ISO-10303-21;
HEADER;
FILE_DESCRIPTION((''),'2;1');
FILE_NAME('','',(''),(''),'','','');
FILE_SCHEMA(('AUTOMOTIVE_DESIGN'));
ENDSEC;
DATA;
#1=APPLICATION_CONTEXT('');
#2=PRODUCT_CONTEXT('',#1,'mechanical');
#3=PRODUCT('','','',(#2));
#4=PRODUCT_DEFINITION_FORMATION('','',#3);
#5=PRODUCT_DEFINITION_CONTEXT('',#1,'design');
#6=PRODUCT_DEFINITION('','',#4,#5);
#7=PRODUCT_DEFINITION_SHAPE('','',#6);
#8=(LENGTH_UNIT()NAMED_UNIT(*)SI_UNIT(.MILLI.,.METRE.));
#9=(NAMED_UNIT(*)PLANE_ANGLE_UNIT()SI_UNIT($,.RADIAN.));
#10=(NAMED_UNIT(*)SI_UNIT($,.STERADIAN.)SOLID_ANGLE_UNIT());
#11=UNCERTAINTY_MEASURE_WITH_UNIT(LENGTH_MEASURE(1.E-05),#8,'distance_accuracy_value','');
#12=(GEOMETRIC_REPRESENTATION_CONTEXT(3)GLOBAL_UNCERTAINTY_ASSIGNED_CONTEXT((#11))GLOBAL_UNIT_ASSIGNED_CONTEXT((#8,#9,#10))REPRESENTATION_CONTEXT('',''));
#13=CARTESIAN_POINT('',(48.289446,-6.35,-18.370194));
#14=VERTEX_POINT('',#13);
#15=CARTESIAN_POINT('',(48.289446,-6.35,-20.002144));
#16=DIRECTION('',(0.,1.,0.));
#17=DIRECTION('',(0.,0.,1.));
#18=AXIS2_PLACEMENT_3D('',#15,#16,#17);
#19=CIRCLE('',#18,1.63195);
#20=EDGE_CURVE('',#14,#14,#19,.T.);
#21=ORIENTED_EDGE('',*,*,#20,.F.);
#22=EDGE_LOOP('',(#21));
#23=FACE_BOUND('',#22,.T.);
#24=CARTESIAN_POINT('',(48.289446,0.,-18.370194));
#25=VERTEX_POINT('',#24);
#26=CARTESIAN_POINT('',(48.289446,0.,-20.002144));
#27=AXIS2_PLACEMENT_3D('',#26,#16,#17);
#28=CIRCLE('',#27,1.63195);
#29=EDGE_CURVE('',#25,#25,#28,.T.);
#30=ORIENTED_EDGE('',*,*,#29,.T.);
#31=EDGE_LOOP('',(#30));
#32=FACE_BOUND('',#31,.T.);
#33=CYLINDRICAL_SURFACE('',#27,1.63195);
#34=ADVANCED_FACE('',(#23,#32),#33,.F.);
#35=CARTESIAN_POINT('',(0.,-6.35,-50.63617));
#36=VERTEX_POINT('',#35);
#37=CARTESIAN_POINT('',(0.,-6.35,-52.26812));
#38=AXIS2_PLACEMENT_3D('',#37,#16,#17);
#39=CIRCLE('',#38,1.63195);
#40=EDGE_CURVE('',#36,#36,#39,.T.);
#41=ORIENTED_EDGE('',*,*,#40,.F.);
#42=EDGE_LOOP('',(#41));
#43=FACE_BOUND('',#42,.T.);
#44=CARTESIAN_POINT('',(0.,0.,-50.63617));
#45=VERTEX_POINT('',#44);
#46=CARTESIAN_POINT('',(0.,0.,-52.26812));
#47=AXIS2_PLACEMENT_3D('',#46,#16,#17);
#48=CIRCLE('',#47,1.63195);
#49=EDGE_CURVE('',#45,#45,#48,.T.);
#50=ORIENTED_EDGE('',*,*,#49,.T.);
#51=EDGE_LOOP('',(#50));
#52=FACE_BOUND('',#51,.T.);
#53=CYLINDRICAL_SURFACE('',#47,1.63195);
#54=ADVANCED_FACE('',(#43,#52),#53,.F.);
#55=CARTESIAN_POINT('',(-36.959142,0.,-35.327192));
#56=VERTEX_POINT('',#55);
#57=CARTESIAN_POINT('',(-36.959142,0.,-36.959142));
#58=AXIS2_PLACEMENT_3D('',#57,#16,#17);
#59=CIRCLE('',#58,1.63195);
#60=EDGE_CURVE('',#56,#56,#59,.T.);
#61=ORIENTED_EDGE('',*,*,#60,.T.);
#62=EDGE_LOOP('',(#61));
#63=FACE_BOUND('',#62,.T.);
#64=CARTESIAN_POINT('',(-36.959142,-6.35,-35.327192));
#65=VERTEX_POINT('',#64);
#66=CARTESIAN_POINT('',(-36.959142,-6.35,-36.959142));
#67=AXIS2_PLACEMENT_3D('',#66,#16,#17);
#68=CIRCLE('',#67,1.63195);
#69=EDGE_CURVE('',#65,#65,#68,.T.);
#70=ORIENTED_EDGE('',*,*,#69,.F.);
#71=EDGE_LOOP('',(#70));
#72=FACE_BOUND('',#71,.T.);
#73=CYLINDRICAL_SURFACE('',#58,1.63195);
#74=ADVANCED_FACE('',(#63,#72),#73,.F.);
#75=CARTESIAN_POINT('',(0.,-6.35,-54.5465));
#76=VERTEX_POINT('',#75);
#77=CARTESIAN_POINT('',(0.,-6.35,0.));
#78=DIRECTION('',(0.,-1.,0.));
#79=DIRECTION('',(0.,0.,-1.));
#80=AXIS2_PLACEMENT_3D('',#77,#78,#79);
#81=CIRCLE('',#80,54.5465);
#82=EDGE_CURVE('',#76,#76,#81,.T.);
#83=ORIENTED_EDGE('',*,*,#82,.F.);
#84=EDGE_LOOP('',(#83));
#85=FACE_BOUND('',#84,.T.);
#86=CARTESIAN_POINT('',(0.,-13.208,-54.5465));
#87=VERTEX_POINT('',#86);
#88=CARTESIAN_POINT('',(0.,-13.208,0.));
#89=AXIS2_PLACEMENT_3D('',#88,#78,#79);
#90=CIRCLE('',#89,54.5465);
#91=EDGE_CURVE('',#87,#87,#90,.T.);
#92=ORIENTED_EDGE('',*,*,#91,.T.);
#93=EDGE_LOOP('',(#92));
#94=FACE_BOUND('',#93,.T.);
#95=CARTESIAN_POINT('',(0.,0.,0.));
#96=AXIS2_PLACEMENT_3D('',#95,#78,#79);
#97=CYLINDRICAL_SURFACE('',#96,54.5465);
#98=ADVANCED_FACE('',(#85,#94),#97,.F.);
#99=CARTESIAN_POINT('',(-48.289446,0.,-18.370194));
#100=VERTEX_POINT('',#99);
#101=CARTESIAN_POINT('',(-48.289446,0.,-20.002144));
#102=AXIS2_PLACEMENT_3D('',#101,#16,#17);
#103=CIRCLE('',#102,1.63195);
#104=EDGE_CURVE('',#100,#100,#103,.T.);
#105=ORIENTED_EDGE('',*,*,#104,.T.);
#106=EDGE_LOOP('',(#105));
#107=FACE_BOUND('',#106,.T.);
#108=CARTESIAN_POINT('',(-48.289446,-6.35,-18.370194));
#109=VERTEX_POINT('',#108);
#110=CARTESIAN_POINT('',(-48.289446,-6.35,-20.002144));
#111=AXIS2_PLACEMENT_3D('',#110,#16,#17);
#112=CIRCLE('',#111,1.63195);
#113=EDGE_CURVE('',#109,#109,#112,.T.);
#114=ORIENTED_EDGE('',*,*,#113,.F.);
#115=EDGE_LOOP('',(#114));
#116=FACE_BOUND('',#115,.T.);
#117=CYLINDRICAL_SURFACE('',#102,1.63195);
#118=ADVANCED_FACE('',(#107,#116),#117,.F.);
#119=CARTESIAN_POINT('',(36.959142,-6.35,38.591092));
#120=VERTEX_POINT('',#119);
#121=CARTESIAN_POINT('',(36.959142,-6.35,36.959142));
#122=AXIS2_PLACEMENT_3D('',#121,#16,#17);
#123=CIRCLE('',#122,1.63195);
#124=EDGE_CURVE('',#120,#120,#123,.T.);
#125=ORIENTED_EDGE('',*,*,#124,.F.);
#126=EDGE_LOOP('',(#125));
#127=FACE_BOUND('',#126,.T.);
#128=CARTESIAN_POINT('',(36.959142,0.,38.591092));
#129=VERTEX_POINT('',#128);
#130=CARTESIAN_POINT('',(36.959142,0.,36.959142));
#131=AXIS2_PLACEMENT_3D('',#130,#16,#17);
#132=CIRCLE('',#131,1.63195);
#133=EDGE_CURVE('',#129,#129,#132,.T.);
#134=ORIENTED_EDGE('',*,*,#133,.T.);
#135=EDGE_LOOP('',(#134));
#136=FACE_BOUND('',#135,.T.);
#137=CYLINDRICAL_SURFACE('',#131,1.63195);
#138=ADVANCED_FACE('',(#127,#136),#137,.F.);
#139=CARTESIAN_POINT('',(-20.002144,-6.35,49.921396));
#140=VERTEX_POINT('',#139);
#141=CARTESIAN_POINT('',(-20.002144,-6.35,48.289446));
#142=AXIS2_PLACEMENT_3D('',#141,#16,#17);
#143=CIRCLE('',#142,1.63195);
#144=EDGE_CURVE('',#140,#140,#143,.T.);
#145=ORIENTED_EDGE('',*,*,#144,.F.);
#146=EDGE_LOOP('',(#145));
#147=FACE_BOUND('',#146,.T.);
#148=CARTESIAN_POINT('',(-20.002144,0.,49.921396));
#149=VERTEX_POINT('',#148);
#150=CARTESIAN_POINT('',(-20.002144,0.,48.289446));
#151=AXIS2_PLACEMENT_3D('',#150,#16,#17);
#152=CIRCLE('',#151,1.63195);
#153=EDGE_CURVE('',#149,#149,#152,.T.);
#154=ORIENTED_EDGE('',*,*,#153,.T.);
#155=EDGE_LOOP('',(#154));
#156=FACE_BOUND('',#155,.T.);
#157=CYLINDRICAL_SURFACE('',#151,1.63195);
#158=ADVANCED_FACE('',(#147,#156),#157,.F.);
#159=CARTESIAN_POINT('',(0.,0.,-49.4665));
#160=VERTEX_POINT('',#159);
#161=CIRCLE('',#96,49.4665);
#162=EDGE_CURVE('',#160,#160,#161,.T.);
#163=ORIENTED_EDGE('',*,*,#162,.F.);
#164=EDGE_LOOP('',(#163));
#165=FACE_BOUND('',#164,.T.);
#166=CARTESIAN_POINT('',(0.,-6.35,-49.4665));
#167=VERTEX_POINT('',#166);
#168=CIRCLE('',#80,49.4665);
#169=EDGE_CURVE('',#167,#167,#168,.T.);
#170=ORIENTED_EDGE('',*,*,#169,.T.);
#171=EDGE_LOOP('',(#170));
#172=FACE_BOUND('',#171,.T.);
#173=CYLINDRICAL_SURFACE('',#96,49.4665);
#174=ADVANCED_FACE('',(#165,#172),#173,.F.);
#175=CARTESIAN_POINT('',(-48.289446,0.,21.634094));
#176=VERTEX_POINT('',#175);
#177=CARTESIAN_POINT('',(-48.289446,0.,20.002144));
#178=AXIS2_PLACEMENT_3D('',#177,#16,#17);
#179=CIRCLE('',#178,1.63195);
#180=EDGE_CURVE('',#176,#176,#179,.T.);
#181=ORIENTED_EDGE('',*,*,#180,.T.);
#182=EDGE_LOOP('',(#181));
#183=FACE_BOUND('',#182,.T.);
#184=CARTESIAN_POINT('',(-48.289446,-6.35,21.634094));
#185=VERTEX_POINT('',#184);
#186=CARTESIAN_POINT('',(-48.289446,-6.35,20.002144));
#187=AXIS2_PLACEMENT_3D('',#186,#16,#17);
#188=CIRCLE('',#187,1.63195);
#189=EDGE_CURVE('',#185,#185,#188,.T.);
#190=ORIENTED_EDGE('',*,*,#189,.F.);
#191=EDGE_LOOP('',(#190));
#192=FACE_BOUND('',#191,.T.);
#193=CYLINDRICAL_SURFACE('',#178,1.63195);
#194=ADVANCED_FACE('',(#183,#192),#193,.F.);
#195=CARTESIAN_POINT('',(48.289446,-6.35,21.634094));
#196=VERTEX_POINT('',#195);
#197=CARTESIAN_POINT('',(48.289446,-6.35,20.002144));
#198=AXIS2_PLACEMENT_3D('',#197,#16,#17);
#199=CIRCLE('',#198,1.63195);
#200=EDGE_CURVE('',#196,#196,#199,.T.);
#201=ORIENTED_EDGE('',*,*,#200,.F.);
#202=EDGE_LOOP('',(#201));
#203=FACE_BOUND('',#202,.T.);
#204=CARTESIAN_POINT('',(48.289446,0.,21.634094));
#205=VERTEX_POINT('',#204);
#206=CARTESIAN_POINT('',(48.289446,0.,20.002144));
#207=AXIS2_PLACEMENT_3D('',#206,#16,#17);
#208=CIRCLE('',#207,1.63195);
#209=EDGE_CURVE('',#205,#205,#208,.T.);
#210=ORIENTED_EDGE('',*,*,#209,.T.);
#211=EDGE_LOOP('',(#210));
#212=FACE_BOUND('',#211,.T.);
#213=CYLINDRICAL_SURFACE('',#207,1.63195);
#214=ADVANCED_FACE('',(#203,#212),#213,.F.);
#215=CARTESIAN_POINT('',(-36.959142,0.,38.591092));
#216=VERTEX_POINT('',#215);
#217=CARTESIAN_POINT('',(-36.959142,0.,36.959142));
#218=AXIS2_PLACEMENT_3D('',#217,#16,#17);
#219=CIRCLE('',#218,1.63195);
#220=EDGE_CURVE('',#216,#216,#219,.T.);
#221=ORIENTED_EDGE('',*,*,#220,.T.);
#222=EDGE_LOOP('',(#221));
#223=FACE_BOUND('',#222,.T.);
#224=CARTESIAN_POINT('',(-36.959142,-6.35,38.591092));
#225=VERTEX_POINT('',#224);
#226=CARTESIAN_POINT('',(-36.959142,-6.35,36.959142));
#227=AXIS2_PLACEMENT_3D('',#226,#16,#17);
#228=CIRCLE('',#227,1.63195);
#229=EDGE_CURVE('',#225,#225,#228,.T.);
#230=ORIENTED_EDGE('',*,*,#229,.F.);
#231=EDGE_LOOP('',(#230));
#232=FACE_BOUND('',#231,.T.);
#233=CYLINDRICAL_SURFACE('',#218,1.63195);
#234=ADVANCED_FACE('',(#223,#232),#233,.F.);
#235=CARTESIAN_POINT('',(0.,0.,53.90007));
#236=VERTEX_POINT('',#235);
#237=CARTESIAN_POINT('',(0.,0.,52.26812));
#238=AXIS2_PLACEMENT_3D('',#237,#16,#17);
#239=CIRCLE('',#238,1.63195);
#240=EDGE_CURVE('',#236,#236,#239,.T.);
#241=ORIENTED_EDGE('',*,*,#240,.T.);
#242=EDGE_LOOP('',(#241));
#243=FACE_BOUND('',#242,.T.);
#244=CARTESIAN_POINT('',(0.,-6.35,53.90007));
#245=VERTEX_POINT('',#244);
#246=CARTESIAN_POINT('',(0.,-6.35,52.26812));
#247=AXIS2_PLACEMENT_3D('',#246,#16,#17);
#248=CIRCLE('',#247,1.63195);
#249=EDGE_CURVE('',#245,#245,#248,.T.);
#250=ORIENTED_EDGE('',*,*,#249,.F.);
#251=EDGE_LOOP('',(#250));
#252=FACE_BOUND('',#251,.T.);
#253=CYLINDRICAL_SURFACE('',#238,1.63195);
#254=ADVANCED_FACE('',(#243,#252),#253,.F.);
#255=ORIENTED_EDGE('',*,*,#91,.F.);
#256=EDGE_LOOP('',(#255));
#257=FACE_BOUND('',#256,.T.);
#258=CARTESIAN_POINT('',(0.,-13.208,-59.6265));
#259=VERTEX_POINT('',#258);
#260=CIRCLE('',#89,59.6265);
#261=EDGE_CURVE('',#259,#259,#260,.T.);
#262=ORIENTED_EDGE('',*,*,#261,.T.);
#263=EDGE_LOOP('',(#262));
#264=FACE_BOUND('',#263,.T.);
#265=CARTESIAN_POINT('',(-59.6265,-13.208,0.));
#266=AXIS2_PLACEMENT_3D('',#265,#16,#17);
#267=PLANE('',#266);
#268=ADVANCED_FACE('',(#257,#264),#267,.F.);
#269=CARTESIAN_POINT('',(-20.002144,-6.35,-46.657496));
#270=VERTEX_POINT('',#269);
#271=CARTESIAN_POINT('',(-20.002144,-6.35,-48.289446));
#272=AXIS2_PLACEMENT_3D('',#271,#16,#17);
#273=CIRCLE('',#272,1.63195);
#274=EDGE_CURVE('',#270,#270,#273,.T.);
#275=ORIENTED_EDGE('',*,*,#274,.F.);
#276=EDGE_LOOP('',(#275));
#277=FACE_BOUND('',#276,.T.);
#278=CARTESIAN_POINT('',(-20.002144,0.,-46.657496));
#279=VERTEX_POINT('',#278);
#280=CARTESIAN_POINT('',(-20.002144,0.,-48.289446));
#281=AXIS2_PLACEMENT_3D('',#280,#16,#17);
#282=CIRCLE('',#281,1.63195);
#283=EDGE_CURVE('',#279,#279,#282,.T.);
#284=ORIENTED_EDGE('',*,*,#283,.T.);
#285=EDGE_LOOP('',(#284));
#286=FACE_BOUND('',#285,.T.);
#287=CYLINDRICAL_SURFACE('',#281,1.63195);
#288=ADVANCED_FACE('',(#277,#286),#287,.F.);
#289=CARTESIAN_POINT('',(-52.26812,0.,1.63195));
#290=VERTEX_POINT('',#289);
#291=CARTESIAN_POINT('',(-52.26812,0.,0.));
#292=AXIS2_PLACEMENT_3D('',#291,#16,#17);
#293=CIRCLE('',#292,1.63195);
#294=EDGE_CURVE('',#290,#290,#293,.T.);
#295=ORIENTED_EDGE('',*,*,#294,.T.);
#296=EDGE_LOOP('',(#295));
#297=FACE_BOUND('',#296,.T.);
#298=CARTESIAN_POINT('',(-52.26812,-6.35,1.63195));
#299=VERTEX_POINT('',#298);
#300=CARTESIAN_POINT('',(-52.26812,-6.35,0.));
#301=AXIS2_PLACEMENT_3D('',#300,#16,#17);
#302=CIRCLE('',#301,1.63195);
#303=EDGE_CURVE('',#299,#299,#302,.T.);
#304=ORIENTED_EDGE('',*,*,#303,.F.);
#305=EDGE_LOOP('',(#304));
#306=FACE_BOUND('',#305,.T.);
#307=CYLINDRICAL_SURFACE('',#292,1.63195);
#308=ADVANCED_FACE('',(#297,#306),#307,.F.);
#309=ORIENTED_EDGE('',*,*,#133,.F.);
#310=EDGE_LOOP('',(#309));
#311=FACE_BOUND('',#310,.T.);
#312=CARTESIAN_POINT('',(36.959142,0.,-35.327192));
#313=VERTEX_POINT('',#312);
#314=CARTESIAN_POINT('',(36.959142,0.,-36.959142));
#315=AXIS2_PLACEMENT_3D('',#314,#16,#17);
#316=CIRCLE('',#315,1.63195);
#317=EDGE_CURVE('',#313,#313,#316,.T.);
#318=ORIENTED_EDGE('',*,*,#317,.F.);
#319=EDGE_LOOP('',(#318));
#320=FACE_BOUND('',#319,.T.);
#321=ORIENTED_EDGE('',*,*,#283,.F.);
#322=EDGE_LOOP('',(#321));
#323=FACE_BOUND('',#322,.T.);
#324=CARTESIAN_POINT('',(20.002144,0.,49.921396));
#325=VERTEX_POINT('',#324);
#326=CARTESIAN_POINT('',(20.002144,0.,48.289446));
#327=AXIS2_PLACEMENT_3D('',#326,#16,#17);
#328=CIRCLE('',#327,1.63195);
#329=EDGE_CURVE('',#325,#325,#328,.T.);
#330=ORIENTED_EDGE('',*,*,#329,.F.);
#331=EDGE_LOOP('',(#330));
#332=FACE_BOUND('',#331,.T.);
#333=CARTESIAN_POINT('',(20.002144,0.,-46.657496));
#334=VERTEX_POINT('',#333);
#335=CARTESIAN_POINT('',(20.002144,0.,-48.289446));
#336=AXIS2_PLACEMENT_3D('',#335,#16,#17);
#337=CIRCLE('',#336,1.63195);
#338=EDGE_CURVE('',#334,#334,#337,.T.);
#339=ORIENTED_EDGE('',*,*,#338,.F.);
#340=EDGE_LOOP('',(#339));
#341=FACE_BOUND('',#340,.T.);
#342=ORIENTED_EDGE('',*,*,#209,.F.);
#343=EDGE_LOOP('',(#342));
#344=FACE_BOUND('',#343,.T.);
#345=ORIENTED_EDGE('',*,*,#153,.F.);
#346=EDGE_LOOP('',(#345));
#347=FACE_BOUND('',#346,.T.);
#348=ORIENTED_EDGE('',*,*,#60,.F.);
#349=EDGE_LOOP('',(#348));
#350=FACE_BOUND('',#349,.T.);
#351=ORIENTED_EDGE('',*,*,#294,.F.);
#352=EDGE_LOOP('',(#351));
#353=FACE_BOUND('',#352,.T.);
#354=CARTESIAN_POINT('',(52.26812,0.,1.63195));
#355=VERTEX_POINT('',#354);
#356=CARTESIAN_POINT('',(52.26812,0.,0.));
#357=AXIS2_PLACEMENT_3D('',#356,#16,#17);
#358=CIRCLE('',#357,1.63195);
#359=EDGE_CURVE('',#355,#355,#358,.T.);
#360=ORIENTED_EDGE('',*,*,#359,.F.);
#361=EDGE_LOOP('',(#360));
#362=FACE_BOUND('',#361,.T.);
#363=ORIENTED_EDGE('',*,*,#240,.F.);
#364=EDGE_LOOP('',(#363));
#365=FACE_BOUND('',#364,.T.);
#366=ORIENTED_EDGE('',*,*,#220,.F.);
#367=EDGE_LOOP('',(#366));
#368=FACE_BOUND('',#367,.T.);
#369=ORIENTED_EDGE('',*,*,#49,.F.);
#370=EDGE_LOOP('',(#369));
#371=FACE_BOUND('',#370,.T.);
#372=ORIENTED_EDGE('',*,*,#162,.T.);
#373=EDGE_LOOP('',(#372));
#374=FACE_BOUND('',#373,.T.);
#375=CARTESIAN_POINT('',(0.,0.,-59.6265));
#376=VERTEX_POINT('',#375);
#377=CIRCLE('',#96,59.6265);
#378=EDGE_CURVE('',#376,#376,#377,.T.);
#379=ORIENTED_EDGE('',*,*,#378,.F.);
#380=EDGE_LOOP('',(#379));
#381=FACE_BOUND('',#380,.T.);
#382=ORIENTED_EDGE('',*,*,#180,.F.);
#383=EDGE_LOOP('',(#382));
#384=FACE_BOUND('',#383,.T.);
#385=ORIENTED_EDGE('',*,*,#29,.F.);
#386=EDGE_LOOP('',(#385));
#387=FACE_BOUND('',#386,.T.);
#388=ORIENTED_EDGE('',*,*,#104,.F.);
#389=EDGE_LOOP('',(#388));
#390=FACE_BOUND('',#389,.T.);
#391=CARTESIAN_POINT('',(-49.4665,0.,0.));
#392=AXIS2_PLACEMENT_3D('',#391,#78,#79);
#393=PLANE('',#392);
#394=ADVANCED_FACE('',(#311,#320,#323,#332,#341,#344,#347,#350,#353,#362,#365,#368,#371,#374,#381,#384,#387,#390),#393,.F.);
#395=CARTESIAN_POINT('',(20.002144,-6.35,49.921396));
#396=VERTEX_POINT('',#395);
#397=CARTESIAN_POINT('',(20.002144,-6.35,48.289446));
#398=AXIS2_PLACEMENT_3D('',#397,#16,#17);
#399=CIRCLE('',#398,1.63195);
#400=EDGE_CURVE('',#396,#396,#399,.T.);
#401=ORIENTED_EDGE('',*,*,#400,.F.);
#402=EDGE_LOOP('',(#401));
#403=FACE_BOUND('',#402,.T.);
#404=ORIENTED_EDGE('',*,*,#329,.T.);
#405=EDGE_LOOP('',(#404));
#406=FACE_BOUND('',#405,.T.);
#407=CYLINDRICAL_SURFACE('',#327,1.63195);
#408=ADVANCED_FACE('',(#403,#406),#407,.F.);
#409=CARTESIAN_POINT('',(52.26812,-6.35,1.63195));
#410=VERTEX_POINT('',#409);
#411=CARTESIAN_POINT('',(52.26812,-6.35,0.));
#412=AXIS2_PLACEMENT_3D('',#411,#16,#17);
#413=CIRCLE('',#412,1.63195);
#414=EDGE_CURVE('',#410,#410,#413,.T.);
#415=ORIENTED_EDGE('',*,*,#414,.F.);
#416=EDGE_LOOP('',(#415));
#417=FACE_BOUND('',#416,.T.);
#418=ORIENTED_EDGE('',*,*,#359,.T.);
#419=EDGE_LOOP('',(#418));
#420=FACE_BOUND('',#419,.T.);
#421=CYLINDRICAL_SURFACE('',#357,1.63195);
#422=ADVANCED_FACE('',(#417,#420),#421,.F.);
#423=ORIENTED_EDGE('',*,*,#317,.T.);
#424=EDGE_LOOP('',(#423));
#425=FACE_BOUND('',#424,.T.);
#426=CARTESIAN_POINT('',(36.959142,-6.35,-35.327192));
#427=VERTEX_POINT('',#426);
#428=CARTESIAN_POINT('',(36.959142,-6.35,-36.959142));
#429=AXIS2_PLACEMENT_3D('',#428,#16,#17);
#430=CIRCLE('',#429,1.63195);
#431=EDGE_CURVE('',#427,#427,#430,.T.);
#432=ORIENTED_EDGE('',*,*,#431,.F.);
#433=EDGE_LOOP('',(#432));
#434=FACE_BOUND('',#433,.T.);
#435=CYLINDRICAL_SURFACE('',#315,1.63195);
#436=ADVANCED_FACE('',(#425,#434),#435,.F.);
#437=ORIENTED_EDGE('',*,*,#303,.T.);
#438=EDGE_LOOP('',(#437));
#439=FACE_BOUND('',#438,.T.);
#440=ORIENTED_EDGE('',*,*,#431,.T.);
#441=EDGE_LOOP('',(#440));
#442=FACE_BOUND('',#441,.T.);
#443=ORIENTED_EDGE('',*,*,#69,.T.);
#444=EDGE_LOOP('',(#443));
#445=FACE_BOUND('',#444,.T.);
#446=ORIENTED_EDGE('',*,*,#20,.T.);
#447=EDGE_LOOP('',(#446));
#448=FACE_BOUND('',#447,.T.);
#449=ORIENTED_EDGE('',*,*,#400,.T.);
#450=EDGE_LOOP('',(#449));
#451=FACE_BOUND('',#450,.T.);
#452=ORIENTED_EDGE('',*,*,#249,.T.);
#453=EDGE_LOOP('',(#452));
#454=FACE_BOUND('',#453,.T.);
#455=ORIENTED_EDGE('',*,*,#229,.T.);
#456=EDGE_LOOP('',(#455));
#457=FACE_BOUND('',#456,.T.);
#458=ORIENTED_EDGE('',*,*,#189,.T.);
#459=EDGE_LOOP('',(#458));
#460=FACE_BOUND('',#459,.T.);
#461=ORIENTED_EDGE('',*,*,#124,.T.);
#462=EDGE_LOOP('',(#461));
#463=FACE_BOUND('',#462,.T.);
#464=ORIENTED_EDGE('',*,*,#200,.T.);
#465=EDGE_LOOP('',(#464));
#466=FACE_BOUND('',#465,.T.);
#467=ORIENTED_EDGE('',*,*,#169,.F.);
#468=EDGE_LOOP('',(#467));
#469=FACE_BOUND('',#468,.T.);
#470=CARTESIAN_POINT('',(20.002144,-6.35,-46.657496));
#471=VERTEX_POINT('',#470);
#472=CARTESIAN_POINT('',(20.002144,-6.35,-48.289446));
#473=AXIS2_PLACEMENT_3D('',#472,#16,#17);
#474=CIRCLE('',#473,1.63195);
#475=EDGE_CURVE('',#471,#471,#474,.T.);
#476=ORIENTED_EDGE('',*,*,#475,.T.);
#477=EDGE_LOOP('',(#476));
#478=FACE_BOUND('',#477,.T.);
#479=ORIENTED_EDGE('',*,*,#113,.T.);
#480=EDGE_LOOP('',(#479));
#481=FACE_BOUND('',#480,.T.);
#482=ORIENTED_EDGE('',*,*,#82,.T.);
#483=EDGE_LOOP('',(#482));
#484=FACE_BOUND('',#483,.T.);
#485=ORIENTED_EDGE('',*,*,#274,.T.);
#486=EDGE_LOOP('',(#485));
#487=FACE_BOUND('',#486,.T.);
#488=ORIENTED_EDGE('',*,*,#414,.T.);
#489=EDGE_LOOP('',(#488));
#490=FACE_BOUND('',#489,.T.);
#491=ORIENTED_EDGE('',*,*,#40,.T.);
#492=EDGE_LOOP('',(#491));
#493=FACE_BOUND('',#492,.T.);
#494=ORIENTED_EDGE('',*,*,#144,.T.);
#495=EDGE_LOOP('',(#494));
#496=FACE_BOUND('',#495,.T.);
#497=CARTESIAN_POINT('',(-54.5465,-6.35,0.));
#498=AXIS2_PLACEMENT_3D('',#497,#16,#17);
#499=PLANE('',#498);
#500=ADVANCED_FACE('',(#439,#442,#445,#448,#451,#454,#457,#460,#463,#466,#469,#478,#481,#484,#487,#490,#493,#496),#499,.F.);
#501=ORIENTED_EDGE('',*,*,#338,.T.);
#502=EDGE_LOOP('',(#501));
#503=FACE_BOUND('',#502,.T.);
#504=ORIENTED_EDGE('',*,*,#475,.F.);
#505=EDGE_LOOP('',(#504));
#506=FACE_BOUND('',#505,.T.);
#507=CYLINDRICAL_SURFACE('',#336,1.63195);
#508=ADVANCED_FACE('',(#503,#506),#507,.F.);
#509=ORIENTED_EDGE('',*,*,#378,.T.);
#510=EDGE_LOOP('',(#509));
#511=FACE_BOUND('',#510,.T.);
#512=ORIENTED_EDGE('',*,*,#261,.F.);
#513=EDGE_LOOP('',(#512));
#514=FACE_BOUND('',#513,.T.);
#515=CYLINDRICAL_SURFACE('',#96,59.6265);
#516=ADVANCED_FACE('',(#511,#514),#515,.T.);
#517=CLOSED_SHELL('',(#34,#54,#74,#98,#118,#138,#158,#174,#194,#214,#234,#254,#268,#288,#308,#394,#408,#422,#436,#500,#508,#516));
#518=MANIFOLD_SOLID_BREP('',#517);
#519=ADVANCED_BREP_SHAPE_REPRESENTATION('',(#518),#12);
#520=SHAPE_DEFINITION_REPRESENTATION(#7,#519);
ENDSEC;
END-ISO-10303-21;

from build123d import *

# Parameters (mm, degrees)
CIRPATTERN1_COUNT = 16


with BuildPart() as part:
    # Sketch1 → Revolve1 (revolve)
    with BuildSketch(Plane.XY, mode=Mode.PRIVATE) as revolve1_sk:
        Polygon((-49.4665, 0), (-59.6265, 0), (-59.6265, -13.208), (-54.5465, -13.208), (-54.5465, -6.35), (-49.4665, -6.35), align=None)
    revolve(revolve1_sk.sketch.rotate(Axis((0, 0, 0), (0, 1, 0)), 270), axis=Axis((0, 0, 0), (0, 1, 0)))

    # Sketch3 → #4 Clearance Hole1 (revolve, cut)
    with BuildSketch(Plane(origin=(0, 0, -52.26812), x_dir=(0, 0, 1), z_dir=(1, 0, 0))):
        Polygon((0, 0), (0, 11.140574487), (1.63195, 10.16), (1.63195, 0), align=None)
    f_4_clearance_hole1 = revolve(axis=Axis((0, 6.35, -52.26812), (0, -1, 0)), mode=Mode.SUBTRACT)

    # CirPattern1: #4 Clearance Hole1 ×16 about axis
    cirpattern1_axis = Axis((0, 0, 0), (0, 1, 0))
    for i in range(1, CIRPATTERN1_COUNT):
        add(f_4_clearance_hole1.rotate(cirpattern1_axis, i * 360 / CIRPATTERN1_COUNT), mode=Mode.SUBTRACT)


solid = part.part
